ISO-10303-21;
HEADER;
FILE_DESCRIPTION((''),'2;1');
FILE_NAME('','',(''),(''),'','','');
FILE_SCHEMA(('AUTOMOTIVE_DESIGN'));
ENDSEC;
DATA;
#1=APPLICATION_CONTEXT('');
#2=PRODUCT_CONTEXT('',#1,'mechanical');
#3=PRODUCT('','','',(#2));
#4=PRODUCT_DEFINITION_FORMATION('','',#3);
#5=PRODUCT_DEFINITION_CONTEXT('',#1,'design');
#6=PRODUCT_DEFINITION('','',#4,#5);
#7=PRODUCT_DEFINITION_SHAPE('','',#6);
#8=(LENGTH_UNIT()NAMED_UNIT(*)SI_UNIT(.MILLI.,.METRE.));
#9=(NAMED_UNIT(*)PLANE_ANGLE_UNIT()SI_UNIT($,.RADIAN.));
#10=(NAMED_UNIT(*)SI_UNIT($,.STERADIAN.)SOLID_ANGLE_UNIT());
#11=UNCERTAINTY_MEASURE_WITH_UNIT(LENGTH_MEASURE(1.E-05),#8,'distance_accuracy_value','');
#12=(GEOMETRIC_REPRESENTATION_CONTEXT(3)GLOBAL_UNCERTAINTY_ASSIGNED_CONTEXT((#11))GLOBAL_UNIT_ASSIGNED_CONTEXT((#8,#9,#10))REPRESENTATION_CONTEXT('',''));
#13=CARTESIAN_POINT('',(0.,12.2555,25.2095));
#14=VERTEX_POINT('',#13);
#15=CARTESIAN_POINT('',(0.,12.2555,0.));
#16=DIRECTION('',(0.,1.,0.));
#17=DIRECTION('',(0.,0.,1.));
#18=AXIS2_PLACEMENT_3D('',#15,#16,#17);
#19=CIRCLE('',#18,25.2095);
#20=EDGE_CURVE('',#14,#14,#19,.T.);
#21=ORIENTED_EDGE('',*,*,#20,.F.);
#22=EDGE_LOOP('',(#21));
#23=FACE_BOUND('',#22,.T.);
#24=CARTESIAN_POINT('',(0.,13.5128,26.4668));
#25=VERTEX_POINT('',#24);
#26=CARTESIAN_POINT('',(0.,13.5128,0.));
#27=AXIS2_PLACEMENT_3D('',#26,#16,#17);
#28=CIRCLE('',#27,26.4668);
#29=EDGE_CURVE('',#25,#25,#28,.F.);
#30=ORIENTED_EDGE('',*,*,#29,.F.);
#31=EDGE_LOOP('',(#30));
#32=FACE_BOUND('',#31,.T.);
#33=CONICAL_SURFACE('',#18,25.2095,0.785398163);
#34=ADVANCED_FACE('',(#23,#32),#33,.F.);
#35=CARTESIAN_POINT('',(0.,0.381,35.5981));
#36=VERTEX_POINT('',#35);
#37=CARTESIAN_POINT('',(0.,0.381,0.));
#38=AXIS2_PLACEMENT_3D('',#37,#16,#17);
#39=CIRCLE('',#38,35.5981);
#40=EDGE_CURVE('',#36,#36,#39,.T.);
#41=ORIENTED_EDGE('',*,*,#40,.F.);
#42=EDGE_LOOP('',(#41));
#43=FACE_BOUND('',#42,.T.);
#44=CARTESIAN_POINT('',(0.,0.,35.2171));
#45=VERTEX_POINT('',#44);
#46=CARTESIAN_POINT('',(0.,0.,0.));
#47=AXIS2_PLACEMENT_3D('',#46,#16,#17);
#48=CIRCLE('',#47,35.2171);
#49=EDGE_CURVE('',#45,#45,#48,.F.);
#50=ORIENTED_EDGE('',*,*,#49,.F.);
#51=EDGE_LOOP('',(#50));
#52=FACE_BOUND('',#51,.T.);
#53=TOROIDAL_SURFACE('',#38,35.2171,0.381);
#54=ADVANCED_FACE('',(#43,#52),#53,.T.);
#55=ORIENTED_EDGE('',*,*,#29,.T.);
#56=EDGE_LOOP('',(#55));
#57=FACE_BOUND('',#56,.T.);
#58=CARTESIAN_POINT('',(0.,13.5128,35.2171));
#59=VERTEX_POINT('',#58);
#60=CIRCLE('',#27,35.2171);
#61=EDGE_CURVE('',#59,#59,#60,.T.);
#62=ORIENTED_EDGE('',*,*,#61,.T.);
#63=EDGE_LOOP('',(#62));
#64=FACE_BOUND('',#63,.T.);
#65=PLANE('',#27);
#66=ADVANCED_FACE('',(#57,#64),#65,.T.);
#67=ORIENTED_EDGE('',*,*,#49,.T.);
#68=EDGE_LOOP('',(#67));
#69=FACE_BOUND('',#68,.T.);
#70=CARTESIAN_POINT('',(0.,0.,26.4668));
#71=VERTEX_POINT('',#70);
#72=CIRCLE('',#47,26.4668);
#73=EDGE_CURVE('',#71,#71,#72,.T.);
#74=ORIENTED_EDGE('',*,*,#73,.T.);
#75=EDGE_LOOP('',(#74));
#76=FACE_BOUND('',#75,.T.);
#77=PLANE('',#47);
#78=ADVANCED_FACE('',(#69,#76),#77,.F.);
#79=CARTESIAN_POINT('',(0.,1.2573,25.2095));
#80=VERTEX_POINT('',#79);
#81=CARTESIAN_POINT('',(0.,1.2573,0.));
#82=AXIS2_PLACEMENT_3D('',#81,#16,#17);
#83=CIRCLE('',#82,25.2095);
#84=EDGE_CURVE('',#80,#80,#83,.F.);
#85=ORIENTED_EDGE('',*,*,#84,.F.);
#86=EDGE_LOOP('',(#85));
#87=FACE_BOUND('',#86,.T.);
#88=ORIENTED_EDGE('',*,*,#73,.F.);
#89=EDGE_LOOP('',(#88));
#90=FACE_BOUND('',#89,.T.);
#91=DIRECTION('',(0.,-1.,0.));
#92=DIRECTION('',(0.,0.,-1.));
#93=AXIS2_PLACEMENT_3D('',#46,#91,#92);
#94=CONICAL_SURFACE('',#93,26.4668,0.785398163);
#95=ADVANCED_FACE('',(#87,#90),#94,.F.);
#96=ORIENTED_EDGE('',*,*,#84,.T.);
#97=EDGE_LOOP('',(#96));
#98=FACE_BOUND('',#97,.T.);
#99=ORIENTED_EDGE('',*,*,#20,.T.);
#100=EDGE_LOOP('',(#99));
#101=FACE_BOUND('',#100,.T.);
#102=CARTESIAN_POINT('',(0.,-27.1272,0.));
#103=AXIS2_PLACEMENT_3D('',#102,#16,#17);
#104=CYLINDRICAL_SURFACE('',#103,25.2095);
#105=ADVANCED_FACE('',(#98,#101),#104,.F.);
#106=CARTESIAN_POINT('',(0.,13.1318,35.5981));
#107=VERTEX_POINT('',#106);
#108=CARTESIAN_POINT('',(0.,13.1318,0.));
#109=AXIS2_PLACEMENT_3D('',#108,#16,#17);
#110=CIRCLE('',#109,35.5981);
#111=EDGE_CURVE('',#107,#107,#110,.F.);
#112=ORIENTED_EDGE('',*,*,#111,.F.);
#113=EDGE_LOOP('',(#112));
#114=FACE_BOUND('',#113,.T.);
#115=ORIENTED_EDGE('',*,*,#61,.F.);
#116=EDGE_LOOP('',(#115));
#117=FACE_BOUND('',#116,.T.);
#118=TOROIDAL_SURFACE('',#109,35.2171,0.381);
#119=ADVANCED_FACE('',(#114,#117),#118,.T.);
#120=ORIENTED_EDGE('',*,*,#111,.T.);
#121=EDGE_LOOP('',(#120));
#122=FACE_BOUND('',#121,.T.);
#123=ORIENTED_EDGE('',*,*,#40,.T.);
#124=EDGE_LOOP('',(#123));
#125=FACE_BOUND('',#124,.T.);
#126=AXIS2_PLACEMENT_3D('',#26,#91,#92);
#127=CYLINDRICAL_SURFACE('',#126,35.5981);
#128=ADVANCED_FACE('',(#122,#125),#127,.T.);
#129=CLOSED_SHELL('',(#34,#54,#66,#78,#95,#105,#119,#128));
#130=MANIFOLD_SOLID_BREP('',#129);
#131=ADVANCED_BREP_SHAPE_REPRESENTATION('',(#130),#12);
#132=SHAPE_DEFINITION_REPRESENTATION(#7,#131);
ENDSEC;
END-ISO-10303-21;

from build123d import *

# Parameters (mm, degrees)
SKETCH1_R           = 35.5981
BOSS_EXTRUDE1_DEPTH = 13.5128
SKETCH2_R           = 25.2095
CUT_EXTRUDE1_DEPTH  = 40.64
FILLET1_R           = 0.381
FILLET2_R           = 0.381
CHAMFER1_SIZE       = 1.2573
CHAMFER2_SIZE       = 1.2573


with BuildPart() as part:
    # Sketch1 → Boss-Extrude1 (new body)
    with BuildSketch(Plane(origin=(0, 0, 0), x_dir=(1, 0, 0), z_dir=(0, 1, 0))):
        Circle(SKETCH1_R)
    extrude(amount=BOSS_EXTRUDE1_DEPTH)

    # Sketch2 → Cut-Extrude1 (cut)
    with BuildSketch(Plane(origin=(0, 13.5128, 0), x_dir=(1, 0, 0), z_dir=(0, 1, 0))):
        Circle(SKETCH2_R)
    extrude(amount=-CUT_EXTRUDE1_DEPTH, mode=Mode.SUBTRACT)

    # Fillet1
    fillet1_edges = [part.edges().sort_by_distance(p)[0] for p in [
        (-35.5981, 13.5128, 0),
    ]]
    fillet(fillet1_edges, radius=FILLET1_R)

    # Fillet2
    fillet2_edges = [part.edges().sort_by_distance(p)[0] for p in [
        (-35.5981, 0, 0),
    ]]
    fillet(fillet2_edges, radius=FILLET2_R)

    # Chamfer1
    chamfer1_edges = [part.edges().sort_by_distance(p)[0] for p in [
        (-25.2095, 13.5128, 0),
    ]]
    chamfer(chamfer1_edges, length=CHAMFER1_SIZE)

    # Chamfer2
    chamfer2_edges = [part.edges().sort_by_distance(p)[0] for p in [
        (-25.2095, 0, 0),
    ]]
    chamfer(chamfer2_edges, length=CHAMFER2_SIZE)


solid = part.part
